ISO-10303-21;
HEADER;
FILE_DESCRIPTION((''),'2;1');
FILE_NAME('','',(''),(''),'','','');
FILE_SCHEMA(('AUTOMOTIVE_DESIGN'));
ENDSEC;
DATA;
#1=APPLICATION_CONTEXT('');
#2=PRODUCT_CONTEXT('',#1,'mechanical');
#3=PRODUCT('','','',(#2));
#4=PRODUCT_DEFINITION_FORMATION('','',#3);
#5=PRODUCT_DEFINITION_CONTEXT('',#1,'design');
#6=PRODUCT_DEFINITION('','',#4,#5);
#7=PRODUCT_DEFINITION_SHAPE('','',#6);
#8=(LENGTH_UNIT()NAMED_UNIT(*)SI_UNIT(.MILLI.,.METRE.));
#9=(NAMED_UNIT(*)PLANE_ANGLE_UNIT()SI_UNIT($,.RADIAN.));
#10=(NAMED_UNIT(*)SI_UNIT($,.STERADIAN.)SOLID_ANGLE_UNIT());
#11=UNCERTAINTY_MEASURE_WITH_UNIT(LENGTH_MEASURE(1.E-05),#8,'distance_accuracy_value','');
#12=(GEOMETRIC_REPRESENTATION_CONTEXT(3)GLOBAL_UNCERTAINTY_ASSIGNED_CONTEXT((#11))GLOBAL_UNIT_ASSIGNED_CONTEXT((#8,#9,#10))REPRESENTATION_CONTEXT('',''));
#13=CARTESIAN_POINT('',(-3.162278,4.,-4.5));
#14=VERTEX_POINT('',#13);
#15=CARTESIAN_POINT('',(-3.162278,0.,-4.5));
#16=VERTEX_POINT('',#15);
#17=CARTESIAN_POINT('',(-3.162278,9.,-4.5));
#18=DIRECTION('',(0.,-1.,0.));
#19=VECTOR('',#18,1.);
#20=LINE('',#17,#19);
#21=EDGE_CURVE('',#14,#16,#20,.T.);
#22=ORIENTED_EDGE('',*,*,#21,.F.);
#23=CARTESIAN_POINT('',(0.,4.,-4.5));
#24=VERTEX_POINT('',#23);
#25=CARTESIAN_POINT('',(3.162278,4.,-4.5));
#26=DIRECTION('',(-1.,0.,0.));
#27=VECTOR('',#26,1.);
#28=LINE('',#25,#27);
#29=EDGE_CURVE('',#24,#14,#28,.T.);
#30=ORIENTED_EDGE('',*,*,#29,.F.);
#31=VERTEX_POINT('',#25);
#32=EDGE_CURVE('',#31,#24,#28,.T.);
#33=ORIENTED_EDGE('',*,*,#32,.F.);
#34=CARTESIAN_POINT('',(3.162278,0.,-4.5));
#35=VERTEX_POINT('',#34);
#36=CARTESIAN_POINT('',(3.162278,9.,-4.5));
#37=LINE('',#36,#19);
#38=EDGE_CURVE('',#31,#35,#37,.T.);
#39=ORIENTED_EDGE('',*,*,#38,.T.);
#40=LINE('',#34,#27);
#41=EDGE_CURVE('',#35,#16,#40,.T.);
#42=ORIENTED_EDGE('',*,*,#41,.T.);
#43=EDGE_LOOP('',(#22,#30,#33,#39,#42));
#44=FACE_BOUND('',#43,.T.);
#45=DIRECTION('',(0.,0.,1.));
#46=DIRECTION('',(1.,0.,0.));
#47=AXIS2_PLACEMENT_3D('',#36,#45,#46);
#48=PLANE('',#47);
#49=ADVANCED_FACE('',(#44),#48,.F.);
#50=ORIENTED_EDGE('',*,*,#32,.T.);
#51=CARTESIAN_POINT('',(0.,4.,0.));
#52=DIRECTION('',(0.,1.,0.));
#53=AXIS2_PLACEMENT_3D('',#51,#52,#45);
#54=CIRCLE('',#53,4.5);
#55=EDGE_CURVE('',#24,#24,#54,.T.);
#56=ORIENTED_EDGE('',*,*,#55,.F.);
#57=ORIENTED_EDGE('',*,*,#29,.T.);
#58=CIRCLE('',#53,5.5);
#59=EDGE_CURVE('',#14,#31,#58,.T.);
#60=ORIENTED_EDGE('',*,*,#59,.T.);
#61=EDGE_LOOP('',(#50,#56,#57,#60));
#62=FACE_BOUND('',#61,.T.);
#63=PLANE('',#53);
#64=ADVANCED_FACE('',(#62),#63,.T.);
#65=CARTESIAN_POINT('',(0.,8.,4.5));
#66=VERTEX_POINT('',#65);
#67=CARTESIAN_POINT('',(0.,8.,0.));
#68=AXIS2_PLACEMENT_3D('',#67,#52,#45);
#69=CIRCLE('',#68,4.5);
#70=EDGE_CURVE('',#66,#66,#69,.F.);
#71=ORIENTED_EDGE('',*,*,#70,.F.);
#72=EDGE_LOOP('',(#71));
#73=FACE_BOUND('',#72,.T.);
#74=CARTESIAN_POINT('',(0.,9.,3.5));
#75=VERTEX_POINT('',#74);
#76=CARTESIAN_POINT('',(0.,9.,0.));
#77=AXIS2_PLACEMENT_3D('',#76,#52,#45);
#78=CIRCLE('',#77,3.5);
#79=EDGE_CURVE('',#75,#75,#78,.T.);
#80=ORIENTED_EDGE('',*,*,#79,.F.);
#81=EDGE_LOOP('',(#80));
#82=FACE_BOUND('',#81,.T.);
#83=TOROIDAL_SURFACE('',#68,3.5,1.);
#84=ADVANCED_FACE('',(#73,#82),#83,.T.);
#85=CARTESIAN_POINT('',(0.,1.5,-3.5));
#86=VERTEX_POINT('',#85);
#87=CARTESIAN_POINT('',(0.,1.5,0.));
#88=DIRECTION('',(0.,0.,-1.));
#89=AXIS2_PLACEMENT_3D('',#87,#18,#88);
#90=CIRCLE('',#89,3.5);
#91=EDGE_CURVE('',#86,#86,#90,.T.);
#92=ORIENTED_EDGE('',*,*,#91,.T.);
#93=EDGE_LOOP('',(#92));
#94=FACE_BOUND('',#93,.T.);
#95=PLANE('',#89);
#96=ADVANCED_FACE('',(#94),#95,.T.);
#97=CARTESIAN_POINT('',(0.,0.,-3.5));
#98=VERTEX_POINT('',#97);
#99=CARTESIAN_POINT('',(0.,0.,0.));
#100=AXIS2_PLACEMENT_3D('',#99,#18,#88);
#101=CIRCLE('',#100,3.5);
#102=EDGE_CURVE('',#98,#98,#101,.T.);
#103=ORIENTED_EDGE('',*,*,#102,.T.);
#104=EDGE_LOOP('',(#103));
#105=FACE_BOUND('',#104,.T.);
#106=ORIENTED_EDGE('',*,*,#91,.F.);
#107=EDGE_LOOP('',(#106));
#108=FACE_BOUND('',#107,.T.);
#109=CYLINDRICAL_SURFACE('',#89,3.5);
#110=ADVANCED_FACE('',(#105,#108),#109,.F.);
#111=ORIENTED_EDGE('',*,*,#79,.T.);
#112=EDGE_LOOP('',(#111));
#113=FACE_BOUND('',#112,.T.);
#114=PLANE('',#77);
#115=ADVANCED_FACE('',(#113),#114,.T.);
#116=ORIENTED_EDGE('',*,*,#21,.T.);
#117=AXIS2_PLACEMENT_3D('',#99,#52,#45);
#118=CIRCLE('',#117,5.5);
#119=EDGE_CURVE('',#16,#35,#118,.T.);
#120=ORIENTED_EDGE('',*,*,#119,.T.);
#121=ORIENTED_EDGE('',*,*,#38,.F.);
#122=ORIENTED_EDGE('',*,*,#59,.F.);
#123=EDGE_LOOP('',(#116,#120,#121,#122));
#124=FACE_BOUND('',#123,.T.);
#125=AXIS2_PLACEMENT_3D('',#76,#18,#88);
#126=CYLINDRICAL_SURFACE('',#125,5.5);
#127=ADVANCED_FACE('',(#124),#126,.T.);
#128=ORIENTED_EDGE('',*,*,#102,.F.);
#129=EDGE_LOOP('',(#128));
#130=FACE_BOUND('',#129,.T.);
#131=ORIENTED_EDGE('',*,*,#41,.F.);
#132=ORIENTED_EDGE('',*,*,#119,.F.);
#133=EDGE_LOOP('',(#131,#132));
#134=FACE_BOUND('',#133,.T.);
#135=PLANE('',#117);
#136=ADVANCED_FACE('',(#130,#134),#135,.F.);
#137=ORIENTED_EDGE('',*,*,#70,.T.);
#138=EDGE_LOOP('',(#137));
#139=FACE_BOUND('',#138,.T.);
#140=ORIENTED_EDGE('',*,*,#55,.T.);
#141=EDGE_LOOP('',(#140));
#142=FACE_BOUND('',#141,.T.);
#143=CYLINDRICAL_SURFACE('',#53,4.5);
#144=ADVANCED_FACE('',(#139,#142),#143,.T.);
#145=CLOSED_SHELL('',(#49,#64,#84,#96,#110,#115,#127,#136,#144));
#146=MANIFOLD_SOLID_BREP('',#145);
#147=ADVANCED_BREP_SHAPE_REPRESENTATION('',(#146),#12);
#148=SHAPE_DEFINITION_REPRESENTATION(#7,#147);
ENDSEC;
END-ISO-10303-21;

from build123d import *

# Parameters (mm, degrees)
Y_KSEKLIK_EKSTR_ZYON1_DEPTH = 9
IZIM2_R                     = 3.5
KES_EKSTR_ZYON1_DEPTH       = 1.5
IZIM3_R                     = 6
IZIM3_R_2                   = 4.5
KES_EKSTR_ZYON2_DEPTH       = 5
RADYUS1_R                   = 1


with BuildPart() as part:
    # Çizim1 → Yükseklik-Ekstrüzyon1 (new body)
    with BuildSketch(Plane(origin=(0, 0, 0), x_dir=(1, 0, 0), z_dir=(0, 1, 0))):
        with BuildLine():
            Line((3.16227766, 4.5), (-3.16227766, 4.5))
            ThreePointArc((-3.16227766, 4.5), (0, -5.5), (3.16227766, 4.5))
        make_face()
    extrude(amount=Y_KSEKLIK_EKSTR_ZYON1_DEPTH)

    # Çizim2 → Kes-Ekstrüzyon1 (cut)
    with BuildSketch(Plane.XZ):
        Circle(IZIM2_R)
    extrude(amount=-KES_EKSTR_ZYON1_DEPTH, mode=Mode.SUBTRACT)

    # Çizim3 → Kes-Ekstrüzyon2 (cut)
    with BuildSketch(Plane(origin=(0, 9, 0), x_dir=(1, 0, 0), z_dir=(0, 1, 0))):
        Circle(IZIM3_R)
        Circle(IZIM3_R_2, mode=Mode.SUBTRACT)
    extrude(amount=-KES_EKSTR_ZYON2_DEPTH, mode=Mode.SUBTRACT)

    # Radyus1
    radyus1_edges = [part.edges().sort_by_distance(p)[0] for p in [
        (-4.5, 9, 0),
    ]]
    fillet(radyus1_edges, radius=RADYUS1_R)


solid = part.part
